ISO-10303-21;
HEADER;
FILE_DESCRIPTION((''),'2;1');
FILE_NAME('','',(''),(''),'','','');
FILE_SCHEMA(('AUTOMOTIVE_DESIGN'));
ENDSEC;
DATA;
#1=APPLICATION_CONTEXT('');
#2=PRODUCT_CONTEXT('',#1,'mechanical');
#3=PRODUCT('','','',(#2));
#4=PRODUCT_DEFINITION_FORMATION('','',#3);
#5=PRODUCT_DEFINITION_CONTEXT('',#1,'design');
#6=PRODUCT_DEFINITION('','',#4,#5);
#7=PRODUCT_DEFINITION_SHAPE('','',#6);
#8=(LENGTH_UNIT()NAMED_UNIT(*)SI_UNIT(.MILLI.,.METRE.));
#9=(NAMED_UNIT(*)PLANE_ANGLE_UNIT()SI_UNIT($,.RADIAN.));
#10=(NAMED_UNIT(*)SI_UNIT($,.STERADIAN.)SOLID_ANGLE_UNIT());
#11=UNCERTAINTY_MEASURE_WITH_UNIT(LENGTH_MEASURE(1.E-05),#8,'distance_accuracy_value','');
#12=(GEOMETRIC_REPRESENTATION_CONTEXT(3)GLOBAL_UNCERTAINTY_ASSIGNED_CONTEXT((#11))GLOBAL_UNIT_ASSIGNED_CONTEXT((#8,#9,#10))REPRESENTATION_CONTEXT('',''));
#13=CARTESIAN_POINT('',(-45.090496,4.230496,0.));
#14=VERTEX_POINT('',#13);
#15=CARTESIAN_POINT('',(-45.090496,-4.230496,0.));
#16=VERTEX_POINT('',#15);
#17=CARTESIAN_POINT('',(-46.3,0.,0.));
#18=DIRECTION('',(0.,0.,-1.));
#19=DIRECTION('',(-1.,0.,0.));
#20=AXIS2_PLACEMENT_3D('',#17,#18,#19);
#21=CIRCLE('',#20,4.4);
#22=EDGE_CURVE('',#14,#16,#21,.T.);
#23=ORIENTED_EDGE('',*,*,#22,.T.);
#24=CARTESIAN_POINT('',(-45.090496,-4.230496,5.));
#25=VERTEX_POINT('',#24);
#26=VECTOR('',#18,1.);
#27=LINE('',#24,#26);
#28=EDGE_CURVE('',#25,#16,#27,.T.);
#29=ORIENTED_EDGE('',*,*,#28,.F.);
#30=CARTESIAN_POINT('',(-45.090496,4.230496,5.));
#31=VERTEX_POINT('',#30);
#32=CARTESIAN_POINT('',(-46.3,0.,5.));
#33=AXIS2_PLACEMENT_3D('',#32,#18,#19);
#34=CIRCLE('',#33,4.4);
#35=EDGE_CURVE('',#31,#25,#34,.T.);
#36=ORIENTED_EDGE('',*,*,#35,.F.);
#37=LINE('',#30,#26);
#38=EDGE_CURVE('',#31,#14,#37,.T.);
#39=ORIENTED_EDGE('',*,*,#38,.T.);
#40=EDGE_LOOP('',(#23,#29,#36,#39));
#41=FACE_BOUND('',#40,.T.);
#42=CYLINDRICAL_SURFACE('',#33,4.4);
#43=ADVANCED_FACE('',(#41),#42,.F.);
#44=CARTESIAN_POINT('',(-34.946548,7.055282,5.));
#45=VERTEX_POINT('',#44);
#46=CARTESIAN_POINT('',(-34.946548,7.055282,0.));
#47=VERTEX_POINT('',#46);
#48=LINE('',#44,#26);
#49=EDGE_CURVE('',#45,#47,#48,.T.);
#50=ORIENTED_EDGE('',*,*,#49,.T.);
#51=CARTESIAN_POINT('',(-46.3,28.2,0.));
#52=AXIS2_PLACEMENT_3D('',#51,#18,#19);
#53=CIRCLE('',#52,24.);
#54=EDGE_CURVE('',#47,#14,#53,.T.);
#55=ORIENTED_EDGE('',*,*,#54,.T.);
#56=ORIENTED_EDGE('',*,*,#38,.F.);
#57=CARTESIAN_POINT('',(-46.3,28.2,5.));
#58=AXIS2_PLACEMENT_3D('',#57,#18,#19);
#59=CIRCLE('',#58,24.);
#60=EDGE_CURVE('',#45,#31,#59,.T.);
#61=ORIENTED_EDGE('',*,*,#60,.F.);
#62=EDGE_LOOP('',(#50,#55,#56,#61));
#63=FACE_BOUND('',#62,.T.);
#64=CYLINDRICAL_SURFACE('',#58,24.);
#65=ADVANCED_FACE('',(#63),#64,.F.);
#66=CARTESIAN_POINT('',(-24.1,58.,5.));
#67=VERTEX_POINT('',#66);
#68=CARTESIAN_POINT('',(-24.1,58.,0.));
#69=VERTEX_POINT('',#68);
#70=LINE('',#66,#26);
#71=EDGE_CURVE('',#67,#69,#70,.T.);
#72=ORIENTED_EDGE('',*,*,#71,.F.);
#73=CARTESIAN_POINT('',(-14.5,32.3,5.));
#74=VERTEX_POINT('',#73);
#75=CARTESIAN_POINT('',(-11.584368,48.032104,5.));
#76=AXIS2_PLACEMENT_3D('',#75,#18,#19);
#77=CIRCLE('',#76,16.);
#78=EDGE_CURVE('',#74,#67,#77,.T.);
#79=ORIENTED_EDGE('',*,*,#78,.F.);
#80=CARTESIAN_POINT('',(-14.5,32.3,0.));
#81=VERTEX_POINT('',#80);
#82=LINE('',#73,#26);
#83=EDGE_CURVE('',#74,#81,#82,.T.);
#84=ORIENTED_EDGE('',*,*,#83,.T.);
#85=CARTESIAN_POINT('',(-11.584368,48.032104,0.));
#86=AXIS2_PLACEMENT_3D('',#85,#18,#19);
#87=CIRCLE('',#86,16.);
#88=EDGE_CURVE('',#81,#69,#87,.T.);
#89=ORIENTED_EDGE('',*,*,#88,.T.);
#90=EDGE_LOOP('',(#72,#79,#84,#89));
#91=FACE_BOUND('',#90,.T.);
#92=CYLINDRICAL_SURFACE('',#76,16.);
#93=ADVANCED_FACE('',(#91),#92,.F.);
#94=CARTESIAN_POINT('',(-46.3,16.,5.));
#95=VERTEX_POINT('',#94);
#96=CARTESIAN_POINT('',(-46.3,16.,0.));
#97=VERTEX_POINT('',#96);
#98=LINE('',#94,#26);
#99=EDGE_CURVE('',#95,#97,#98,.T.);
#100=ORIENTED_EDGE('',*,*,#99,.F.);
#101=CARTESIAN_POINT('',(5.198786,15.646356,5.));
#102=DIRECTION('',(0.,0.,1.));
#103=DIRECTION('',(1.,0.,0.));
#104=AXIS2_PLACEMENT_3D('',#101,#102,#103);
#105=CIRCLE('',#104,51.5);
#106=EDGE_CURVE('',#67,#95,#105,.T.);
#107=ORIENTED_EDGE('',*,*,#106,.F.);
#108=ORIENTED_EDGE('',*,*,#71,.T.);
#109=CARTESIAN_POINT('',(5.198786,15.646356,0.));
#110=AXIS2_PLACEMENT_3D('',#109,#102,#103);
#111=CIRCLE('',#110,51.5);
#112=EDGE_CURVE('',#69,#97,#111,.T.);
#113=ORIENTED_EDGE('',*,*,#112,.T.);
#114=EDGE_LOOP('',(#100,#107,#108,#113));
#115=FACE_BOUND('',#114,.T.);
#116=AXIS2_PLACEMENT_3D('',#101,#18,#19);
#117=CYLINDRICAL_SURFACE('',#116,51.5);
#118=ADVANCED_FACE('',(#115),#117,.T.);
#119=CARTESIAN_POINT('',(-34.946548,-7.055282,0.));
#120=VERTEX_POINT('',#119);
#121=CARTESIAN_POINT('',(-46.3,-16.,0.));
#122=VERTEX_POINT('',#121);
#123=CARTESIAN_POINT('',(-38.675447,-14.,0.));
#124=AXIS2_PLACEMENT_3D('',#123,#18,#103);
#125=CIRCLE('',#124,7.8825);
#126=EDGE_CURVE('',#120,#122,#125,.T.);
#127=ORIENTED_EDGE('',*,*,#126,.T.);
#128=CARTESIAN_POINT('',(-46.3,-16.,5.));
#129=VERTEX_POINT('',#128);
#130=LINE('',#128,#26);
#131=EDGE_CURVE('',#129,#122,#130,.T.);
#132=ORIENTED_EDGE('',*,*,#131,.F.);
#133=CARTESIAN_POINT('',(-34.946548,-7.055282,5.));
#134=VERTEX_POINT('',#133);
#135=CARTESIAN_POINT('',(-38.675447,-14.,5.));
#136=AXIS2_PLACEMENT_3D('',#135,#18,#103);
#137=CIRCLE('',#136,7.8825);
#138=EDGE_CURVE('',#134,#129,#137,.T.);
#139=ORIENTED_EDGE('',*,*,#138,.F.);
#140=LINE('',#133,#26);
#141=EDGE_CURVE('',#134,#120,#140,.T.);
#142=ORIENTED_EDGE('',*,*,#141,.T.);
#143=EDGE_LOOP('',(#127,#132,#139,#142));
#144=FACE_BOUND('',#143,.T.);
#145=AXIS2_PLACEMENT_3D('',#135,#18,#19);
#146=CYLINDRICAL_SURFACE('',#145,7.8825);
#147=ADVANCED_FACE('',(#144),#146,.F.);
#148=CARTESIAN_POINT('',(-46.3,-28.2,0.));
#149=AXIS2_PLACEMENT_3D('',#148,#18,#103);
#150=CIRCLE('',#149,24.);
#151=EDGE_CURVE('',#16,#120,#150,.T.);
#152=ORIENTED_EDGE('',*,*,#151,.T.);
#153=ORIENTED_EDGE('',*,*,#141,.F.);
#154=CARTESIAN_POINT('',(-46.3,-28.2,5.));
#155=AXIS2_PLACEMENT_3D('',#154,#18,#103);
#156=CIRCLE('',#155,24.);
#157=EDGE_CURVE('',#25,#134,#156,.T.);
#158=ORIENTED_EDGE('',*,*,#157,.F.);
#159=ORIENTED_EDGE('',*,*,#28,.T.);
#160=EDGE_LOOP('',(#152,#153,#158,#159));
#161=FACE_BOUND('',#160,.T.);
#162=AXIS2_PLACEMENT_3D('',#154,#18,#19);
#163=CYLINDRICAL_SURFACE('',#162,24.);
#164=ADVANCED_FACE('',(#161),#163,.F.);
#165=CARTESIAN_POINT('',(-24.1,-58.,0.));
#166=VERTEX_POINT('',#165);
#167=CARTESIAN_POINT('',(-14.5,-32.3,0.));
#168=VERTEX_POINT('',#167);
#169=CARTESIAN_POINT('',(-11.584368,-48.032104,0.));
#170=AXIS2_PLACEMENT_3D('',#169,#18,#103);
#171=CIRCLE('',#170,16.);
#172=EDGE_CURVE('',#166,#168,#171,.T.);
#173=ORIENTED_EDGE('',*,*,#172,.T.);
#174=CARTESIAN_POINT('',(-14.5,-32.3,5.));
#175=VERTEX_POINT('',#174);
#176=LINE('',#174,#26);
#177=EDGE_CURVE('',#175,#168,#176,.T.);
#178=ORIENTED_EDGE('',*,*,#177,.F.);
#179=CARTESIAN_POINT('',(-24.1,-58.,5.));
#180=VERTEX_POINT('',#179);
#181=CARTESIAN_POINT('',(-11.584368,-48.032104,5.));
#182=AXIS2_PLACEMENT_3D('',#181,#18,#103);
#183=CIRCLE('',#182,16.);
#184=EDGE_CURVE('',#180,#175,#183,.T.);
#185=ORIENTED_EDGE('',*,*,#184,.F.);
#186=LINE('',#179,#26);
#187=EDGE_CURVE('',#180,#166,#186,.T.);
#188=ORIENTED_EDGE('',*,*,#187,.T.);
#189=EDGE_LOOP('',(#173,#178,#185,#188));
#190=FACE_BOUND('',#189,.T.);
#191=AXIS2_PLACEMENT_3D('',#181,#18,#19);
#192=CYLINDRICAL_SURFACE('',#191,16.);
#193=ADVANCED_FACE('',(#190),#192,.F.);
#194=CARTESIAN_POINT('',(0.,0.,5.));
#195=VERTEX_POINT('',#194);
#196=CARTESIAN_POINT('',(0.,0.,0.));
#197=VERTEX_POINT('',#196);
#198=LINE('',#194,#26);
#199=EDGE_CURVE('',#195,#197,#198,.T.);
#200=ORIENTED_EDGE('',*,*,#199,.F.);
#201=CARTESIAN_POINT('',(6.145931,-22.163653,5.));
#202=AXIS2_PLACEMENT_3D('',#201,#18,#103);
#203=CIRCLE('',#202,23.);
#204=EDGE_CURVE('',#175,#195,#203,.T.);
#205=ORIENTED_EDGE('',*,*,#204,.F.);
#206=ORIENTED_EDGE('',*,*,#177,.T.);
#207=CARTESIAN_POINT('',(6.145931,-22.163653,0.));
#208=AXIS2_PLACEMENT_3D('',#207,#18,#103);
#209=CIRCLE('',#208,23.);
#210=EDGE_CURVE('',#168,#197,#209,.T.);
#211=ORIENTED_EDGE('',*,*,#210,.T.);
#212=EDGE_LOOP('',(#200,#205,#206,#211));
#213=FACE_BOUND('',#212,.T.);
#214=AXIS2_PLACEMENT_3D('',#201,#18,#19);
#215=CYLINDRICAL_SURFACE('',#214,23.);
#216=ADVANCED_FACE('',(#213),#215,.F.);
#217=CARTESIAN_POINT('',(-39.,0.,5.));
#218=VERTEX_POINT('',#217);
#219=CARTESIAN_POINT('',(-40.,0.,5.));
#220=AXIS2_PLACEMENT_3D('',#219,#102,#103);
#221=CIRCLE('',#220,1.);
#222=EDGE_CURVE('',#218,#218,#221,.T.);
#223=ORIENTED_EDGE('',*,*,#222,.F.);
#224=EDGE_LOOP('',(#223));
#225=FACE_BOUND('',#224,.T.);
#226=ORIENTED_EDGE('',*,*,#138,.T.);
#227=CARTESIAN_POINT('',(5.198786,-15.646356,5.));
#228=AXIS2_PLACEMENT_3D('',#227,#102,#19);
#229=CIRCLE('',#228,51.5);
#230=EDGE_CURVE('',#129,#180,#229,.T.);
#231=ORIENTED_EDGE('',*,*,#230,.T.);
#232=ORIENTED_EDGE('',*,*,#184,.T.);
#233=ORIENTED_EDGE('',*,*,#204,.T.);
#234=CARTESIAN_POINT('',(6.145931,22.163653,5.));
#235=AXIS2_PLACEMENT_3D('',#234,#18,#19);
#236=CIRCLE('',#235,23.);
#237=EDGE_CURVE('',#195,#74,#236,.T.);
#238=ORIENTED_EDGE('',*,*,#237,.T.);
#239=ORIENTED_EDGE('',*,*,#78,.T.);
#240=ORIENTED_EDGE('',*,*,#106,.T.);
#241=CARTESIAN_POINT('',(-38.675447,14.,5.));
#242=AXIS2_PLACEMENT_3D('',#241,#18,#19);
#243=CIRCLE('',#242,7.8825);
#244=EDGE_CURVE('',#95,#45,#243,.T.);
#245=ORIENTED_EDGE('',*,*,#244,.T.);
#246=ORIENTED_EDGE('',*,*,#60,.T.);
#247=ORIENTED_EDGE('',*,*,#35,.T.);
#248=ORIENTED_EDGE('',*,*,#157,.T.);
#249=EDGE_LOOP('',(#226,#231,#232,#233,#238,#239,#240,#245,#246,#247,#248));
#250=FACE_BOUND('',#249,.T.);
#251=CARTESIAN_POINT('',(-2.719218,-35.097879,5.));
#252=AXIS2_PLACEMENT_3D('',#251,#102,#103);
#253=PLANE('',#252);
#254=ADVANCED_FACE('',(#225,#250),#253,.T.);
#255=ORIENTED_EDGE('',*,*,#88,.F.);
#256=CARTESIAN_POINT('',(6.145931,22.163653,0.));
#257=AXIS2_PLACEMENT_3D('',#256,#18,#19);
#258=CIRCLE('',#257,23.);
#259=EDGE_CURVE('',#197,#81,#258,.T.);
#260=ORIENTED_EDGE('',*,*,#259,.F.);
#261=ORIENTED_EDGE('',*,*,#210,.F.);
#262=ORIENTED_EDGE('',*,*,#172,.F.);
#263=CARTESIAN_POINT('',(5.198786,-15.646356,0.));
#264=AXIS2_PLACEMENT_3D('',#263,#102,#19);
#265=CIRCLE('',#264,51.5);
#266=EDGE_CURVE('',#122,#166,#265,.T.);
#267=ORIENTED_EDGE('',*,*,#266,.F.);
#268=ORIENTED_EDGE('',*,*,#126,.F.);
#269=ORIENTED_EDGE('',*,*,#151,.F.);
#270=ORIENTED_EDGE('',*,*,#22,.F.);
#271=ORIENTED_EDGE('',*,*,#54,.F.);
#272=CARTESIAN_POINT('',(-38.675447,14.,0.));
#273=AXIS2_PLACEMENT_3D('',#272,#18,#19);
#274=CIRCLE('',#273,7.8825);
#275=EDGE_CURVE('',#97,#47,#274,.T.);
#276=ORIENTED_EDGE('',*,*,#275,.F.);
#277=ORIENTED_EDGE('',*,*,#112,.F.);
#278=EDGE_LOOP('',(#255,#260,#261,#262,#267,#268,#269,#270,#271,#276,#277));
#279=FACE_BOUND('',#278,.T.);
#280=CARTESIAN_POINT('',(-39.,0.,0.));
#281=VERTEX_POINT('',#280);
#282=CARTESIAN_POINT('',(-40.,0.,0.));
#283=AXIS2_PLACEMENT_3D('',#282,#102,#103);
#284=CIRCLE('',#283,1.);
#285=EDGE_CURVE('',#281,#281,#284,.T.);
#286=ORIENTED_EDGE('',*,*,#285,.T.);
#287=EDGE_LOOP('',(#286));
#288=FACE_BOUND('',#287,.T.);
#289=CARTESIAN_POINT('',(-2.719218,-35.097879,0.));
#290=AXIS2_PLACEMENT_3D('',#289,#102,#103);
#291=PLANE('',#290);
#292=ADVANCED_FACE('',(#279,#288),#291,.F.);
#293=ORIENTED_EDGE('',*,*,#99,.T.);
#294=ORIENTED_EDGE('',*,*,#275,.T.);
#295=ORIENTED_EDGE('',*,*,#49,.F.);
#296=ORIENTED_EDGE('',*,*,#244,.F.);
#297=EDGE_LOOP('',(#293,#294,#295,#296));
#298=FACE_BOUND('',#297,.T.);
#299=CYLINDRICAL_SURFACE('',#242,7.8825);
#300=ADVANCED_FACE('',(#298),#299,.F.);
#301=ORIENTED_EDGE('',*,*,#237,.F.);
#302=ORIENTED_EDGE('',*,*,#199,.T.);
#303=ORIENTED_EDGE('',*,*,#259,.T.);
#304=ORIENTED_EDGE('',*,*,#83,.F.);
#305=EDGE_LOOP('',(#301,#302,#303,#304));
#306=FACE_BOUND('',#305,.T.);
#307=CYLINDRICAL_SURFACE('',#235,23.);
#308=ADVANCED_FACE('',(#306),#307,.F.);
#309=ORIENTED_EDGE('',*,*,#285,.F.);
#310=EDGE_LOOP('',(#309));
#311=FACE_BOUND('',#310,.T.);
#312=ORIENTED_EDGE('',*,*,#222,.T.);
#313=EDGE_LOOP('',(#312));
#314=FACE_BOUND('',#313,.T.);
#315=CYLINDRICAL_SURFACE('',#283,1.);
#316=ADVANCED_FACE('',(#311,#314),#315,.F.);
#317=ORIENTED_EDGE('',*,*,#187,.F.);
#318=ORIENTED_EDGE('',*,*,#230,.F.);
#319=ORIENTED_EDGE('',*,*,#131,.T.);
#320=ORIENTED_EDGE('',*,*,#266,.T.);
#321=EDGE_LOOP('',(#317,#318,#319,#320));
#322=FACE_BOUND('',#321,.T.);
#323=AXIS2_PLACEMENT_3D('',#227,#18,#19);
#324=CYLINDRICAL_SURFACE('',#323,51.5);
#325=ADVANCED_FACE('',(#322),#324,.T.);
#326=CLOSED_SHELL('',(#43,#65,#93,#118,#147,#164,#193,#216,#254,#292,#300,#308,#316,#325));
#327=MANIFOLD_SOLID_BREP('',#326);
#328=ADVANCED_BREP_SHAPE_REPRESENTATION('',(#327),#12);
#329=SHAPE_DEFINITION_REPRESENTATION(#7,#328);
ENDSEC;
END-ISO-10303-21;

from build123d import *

# Parameters (mm, degrees)
BOSS_EXTRUDE1_DEPTH = 5
SKETCH2_R           = 1
CUT_EXTRUDE2_DEPTH  = 5


with BuildPart() as part:
    # Sketch1 → Boss-Extrude1 (new body)
    with BuildSketch(Plane(origin=(0, 0, 0), x_dir=(0, 1, 0), z_dir=(0, 0, 1))):
        with BuildLine():
            ThreePointArc((0, 0), (12.744177426, 14.83676339), (32.3, 14.5))
            ThreePointArc((32.3, 14.5), (42.433307292, 26.572812771), (58, 24.1))
            ThreePointArc((58, 24.1), (39.71268336, 40.332103653), (16, 46.3))
            ThreePointArc((16, 46.3), (20.191750993, 33.797330101), (7.055281526, 34.946547632))
            ThreePointArc((7.055281526, 34.946547632), (5.079702, 39.861691185), (4.230496454, 45.090496071))
            ThreePointArc((4.230496454, 45.090496071), (0, 41.9), (-4.230496454, 45.090496071))
            ThreePointArc((-4.230496454, 45.090496071), (-5.079702, 39.861691185), (-7.055281526, 34.946547632))
            ThreePointArc((-7.055281526, 34.946547632), (-20.191750993, 33.797330101), (-16, 46.3))
            ThreePointArc((-16, 46.3), (-39.71268336, 40.332103653), (-58, 24.1))
            ThreePointArc((-58, 24.1), (-42.433307292, 26.572812771), (-32.3, 14.5))
            ThreePointArc((-32.3, 14.5), (-12.744177426, 14.83676339), (0, 0))
        make_face()
    extrude(amount=BOSS_EXTRUDE1_DEPTH)

    # Sketch2 → Cut-Extrude2 (cut)
    with BuildSketch(Plane.XY.offset(5)):
        with Locations((-40, 0)):
            Circle(SKETCH2_R)
    extrude(amount=-CUT_EXTRUDE2_DEPTH, mode=Mode.SUBTRACT)


solid = part.part
